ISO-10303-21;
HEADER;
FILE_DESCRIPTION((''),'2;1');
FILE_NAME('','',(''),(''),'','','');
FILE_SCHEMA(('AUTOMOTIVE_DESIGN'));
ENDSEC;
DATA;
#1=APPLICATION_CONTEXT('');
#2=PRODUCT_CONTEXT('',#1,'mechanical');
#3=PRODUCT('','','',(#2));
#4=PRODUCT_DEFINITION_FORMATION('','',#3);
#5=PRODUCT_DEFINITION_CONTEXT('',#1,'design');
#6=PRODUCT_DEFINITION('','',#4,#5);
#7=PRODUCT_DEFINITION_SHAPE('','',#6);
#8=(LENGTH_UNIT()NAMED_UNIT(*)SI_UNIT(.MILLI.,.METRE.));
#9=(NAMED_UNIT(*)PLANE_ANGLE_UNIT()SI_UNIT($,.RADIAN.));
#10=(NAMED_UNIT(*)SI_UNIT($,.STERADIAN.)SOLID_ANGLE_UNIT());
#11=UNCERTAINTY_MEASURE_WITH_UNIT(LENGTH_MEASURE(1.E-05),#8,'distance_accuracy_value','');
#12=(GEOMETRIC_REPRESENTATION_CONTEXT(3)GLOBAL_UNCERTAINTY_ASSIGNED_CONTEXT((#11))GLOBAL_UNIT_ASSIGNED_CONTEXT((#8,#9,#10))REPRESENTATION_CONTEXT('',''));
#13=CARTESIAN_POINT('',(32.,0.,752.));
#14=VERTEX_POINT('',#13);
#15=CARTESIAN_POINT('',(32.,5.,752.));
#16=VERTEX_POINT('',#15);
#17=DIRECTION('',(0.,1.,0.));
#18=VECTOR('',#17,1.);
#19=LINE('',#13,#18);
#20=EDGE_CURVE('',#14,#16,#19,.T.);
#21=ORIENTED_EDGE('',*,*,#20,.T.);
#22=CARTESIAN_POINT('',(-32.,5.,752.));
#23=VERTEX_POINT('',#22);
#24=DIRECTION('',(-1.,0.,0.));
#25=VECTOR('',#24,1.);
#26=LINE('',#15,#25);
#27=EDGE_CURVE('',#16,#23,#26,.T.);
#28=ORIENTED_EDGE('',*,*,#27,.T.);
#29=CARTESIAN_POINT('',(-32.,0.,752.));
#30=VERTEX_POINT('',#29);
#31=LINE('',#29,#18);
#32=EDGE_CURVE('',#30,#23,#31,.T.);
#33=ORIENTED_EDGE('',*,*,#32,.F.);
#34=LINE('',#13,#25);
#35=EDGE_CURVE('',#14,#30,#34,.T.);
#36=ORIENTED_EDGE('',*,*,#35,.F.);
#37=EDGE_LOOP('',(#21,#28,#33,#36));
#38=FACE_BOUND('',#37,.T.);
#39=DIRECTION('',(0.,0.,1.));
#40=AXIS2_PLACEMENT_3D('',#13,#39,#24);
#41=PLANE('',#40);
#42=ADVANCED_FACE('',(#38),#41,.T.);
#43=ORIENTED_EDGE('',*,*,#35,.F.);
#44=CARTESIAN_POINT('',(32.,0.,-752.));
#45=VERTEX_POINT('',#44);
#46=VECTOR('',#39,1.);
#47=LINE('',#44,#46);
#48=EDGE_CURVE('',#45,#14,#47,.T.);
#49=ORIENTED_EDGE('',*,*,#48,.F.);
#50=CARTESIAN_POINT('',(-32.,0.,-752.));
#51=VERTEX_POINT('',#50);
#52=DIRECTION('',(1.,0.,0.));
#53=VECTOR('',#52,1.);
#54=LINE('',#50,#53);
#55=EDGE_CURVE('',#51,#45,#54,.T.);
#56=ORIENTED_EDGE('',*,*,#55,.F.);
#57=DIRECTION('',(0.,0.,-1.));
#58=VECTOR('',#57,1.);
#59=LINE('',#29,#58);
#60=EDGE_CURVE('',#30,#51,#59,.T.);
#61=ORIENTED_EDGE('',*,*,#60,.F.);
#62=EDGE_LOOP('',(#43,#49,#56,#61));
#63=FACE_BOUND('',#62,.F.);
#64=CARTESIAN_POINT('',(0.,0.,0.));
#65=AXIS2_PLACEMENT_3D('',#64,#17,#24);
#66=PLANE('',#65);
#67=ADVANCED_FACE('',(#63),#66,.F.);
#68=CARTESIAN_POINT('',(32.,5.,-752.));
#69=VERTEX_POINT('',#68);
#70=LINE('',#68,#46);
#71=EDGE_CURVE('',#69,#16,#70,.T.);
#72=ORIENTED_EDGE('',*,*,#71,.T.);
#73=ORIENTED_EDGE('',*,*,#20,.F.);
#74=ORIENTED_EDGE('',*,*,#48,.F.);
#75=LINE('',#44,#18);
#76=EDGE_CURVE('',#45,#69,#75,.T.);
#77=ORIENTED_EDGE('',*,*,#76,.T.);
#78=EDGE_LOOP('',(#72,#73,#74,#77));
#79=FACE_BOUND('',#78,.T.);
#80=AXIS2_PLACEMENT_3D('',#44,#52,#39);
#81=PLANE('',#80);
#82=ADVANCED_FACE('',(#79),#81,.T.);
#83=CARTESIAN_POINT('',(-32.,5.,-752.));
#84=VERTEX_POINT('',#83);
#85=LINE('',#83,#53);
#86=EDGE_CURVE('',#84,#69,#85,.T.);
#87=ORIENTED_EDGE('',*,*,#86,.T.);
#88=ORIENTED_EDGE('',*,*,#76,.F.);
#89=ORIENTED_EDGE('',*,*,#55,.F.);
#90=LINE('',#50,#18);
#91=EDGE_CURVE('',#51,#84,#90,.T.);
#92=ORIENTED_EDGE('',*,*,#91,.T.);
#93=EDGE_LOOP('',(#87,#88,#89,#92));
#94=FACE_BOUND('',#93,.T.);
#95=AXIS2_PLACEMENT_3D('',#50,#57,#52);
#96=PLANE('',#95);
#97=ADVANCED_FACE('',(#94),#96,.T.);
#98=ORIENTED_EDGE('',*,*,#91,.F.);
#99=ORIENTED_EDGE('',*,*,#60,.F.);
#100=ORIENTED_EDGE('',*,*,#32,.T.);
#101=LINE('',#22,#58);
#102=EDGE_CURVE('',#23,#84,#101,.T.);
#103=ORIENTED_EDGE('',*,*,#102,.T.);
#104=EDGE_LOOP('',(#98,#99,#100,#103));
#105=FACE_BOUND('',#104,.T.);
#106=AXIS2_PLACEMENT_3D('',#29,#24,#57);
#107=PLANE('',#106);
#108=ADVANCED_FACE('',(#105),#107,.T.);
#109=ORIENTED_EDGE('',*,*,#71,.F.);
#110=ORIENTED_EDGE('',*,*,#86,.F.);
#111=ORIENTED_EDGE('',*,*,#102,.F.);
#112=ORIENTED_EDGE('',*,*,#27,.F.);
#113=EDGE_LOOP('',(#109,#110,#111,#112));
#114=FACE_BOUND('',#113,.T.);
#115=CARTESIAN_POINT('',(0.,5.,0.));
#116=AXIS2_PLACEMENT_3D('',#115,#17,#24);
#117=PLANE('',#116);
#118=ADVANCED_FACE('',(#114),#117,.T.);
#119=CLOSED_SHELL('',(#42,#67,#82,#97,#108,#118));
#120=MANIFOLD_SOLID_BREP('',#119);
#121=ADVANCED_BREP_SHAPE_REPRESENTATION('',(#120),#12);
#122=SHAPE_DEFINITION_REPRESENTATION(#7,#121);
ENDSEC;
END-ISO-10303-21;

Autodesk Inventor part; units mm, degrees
ref_plane "YZ Plane" through (0, 0, 0) normal (1, 0, 0) x (0, 1, 0)
ref_plane "XZ Plane" through (0, 0, 0) normal (0, 1, 0) x (-1, 0, 0)
ref_plane "XY Plane" through (0, 0, 0) normal (0, 0, 1) x (1, 0, 0)
sketch "Эскиз1" plane through (0, 0, 0) normal (0, 1, 0) x (-1, 0, 0)
  line L0 (-32, 752) -> (32, 752)
  line L1 (32, 752) -> (32, -752)
  line L2 (32, -752) -> (-32, -752)
  line L3 (-32, -752) -> (-32, 752)
  line L4 (-32, 752) -> (32, -752) construction
  line L5 (32, 752) -> (-32, -752) construction
  point P0 (0, 0)
  dimension "d0" = 64
  dimension "d1" = 1504
extrude "Пластина1" add sketch "Эскиз1" along normal blind 5
equation "\"d2\" = Толщина"
equation "\"Радиус_гибки\" = Толщина"
equation "\"Ширина_просечки\" = Толщина"
equation "\"Глубина_просечки\" = 0.5 * Толщина"
equation "\"Радиус_перехода\" = Радиус_гибки"
equation "\"Радиус_Якоби\" = Радиус_гибки"
equation "\"Размер_зазора\" = Толщина"
equation "\"Толщина\" = 5"
properties part number "0923_CPY1" material "Steel"
